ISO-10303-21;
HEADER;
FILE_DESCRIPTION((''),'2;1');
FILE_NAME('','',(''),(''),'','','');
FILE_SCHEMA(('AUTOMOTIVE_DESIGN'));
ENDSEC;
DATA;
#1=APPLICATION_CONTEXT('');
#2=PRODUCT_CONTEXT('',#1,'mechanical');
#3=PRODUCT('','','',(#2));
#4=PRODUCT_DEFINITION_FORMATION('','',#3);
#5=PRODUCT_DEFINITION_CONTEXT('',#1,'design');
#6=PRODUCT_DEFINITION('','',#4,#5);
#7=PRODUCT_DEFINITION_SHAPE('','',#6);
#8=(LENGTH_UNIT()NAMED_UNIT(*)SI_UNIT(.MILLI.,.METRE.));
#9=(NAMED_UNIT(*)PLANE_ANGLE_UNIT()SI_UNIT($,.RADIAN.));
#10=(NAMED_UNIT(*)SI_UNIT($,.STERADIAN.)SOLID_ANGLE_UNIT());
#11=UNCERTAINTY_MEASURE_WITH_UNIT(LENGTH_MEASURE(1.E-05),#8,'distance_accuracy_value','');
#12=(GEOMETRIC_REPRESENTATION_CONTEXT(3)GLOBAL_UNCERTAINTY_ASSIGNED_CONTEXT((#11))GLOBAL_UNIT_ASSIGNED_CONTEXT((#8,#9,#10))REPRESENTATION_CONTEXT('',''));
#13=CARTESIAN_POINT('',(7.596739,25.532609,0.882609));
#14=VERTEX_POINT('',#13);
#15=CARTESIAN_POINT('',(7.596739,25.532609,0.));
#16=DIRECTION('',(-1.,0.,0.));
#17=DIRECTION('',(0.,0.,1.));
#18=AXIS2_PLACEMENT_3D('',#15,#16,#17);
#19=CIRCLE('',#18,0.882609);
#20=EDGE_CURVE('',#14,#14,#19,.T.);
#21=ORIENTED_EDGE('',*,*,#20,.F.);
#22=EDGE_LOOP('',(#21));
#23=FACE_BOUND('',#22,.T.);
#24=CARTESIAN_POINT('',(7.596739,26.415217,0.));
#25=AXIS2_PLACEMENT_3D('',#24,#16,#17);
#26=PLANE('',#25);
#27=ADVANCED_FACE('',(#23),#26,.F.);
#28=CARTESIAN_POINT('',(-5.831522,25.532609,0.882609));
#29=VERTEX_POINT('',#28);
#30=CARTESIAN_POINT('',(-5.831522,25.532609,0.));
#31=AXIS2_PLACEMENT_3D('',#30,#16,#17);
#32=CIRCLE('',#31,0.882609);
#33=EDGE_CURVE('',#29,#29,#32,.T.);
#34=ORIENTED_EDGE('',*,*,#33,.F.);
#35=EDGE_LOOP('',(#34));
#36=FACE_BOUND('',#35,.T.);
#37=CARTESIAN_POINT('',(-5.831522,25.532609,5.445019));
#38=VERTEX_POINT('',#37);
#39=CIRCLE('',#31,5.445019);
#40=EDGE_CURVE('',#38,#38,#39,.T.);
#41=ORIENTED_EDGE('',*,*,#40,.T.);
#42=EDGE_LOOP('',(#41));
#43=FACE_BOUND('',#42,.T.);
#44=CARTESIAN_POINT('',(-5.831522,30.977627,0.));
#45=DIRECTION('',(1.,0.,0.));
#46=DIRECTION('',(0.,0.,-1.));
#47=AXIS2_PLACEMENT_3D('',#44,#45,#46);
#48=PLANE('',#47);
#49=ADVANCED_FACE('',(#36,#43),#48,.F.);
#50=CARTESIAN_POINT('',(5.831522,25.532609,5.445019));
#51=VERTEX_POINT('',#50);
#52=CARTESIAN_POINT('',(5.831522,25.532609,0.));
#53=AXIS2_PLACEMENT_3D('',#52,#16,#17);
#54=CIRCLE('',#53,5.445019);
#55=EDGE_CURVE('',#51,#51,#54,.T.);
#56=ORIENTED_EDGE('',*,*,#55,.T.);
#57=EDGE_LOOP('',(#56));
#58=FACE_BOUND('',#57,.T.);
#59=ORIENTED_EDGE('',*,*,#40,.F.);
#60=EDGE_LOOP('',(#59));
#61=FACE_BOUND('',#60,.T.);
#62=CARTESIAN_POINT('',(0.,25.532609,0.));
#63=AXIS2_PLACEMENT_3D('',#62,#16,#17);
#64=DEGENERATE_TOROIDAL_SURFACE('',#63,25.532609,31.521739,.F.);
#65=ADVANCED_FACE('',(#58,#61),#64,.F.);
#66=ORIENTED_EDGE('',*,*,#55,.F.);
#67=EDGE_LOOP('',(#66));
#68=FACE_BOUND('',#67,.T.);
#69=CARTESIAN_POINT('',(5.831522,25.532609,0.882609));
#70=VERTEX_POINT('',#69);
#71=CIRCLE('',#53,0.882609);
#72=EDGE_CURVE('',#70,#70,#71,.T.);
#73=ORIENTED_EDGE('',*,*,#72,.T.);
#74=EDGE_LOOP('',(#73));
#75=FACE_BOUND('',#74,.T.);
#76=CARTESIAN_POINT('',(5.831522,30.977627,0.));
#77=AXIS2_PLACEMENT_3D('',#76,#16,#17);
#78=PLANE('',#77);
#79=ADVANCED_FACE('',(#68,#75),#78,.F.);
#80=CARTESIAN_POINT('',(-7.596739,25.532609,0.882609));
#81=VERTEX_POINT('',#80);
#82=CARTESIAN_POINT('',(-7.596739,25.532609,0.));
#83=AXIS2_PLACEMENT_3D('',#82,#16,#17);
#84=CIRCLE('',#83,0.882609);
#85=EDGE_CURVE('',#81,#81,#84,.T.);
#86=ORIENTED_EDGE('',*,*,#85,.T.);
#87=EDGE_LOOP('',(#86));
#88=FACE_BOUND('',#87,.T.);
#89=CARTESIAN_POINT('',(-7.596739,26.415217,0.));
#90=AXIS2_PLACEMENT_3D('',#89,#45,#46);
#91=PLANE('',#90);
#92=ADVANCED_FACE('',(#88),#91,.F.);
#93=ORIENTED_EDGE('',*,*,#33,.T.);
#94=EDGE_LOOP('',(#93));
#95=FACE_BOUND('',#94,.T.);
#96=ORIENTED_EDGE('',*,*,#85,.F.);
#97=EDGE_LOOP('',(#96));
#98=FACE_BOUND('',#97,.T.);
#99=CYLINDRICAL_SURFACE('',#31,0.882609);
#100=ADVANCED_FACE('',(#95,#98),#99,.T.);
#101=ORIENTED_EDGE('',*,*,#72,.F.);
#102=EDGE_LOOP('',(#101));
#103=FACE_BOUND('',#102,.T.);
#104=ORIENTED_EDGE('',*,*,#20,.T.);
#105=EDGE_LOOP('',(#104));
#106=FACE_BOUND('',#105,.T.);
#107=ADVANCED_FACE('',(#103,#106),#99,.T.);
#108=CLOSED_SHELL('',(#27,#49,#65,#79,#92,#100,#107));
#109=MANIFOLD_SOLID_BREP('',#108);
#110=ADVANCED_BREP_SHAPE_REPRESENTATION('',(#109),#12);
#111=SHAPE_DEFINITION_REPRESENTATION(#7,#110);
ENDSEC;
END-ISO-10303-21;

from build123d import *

# Parameters (mm, degrees)
SCALE1_SCALE = 0.630434783


with BuildPart() as part:
    # Sketch1 → Revolve1 (revolve)
    with BuildSketch(Plane.XY):
        with BuildLine():
            Line((9.25, 49.136926033), (9.25, 41.9))
            Line((9.25, 41.9), (12.05, 41.9))
            Line((12.05, 41.9), (12.05, 40.5))
            Line((12.05, 40.5), (9.25, 40.5))
            Line((9.25, 40.5), (-9.25, 40.5))
            Line((-9.25, 40.5), (-12.05, 40.5))
            Line((-12.05, 40.5), (-12.05, 41.9))
            Line((-12.05, 41.9), (-9.25, 41.9))
            Line((-9.25, 41.9), (-9.25, 49.136926033))
            ThreePointArc((-9.25, 49.136926033), (0, 50), (9.25, 49.136926033))
        make_face()
    revolve(axis=Axis((-9.25, 40.5, 0), (1, 0, 0)))


with BuildPart() as part_1:
    # Scale1: scaled about (0, 0, 0)
    add(part.part.scale(SCALE1_SCALE))


solid = part_1.part
